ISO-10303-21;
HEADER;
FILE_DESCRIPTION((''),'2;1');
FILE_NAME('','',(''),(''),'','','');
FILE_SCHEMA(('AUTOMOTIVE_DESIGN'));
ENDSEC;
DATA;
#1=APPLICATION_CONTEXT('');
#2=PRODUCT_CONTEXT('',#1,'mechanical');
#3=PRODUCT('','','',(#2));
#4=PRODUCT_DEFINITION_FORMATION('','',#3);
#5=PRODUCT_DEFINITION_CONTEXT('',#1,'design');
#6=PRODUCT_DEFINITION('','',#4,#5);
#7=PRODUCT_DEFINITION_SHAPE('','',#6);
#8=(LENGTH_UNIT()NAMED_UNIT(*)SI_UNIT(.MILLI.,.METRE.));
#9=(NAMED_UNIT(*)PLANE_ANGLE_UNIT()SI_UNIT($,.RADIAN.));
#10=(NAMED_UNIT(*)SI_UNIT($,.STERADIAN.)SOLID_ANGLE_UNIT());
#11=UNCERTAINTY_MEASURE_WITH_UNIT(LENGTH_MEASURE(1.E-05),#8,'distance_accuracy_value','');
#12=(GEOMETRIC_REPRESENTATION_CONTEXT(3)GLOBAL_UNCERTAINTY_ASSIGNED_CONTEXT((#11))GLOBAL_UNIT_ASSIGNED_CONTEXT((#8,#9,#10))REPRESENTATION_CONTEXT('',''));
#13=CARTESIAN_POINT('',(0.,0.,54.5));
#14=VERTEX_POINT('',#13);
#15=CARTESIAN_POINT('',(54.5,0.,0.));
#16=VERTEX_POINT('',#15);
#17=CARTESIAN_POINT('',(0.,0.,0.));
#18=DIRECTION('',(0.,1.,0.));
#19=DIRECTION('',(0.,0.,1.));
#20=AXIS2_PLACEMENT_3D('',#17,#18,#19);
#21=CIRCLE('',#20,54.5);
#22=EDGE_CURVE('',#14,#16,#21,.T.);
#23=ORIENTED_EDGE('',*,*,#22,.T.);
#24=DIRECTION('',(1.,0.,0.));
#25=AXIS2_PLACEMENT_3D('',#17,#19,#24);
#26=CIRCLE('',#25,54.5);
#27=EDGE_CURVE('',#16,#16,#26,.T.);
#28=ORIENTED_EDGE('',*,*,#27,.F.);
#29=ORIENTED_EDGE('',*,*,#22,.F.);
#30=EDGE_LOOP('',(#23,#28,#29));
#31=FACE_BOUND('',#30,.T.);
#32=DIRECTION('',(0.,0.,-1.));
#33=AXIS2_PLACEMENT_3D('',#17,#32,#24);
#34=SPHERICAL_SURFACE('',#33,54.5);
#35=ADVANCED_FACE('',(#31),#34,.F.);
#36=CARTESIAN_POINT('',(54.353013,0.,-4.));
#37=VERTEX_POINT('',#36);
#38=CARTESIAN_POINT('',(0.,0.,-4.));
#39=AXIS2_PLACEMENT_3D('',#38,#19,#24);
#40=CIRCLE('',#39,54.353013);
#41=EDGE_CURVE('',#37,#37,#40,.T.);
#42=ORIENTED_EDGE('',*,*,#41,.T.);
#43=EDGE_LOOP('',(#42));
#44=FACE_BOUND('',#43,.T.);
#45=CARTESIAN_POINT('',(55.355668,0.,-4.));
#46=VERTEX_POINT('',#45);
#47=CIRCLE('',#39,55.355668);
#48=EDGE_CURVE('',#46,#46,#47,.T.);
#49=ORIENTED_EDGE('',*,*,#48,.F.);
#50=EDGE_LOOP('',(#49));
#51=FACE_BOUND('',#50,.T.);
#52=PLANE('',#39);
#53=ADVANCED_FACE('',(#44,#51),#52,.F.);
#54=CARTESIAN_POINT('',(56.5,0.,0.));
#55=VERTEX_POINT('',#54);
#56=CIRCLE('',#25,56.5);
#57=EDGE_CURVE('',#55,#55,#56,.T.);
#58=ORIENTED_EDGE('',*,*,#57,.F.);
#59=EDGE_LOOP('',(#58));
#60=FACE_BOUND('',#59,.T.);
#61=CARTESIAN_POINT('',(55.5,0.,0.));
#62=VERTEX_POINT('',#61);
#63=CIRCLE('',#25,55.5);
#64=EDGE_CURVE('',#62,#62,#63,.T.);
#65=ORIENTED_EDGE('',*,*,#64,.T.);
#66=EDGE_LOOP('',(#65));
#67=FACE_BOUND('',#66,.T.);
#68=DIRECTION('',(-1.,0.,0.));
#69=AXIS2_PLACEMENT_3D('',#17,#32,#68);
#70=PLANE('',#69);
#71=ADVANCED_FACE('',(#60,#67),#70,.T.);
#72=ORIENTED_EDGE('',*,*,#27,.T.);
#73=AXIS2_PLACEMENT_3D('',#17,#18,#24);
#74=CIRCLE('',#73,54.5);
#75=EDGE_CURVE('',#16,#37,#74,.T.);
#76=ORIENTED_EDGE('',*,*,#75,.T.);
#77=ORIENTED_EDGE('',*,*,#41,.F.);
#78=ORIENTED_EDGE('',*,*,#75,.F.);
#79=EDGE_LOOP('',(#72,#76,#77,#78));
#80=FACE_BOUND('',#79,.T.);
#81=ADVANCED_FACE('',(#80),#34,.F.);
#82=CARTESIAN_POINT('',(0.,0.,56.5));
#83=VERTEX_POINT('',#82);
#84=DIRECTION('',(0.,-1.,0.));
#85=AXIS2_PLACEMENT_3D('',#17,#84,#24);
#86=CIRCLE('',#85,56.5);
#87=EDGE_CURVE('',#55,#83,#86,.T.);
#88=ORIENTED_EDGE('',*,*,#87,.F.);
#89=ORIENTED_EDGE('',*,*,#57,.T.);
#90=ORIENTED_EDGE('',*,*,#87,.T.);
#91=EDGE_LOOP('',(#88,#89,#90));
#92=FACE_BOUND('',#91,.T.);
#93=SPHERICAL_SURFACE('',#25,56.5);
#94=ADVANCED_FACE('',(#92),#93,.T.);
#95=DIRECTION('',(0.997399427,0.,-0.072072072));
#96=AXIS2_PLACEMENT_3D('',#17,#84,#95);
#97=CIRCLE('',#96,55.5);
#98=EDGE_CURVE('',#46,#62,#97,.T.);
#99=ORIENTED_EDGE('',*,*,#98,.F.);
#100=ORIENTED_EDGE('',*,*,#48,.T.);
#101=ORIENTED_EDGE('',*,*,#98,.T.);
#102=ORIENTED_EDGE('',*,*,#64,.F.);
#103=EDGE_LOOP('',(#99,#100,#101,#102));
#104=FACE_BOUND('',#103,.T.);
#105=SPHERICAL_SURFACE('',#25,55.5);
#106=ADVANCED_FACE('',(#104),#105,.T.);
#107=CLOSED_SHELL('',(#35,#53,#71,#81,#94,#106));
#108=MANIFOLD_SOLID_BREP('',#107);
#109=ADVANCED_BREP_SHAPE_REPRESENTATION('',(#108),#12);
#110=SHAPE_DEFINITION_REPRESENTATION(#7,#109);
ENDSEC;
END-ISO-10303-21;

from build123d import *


with BuildPart() as f1:
    # F0 (on Front) → F1 (revolve)
    with BuildSketch(Plane.XZ):
        with BuildLine():
            Line((0, 55.5), (0, 54.5))
            ThreePointArc((0, 54.5), (38.5373195747, 38.5373195747), (54.5, 0))
            Line((54.5, 0), (55.5, 0))
            ThreePointArc((55.5, 0), (39.2444263559, 39.2444263559), (0, 55.5))
        make_face()
        with BuildLine():
            Line((0, 56.5), (0, 55.5))
            ThreePointArc((0, 55.5), (39.2444263559, 39.2444263559), (55.5, 0))
            Line((55.5, 0), (56.5, 0))
            ThreePointArc((56.5, 0), (39.951533137, 39.951533137), (0, 56.5))
        make_face()
        with BuildLine():
            Line((55.5, 0), (54.5, 0))
            ThreePointArc((54.5, 0), (54.4632408023, -2.0013498718), (54.353012796, -4))
            Line((54.353012796, -4), (55.3556681831, -4))
            ThreePointArc((55.3556681831, -4), (55.4639053086, -2.0013015561), (55.5, 0))
        make_face()
    revolve(axis=Axis((0, 0, 28.25), (0, 0, 1)))


solid = f1.part
